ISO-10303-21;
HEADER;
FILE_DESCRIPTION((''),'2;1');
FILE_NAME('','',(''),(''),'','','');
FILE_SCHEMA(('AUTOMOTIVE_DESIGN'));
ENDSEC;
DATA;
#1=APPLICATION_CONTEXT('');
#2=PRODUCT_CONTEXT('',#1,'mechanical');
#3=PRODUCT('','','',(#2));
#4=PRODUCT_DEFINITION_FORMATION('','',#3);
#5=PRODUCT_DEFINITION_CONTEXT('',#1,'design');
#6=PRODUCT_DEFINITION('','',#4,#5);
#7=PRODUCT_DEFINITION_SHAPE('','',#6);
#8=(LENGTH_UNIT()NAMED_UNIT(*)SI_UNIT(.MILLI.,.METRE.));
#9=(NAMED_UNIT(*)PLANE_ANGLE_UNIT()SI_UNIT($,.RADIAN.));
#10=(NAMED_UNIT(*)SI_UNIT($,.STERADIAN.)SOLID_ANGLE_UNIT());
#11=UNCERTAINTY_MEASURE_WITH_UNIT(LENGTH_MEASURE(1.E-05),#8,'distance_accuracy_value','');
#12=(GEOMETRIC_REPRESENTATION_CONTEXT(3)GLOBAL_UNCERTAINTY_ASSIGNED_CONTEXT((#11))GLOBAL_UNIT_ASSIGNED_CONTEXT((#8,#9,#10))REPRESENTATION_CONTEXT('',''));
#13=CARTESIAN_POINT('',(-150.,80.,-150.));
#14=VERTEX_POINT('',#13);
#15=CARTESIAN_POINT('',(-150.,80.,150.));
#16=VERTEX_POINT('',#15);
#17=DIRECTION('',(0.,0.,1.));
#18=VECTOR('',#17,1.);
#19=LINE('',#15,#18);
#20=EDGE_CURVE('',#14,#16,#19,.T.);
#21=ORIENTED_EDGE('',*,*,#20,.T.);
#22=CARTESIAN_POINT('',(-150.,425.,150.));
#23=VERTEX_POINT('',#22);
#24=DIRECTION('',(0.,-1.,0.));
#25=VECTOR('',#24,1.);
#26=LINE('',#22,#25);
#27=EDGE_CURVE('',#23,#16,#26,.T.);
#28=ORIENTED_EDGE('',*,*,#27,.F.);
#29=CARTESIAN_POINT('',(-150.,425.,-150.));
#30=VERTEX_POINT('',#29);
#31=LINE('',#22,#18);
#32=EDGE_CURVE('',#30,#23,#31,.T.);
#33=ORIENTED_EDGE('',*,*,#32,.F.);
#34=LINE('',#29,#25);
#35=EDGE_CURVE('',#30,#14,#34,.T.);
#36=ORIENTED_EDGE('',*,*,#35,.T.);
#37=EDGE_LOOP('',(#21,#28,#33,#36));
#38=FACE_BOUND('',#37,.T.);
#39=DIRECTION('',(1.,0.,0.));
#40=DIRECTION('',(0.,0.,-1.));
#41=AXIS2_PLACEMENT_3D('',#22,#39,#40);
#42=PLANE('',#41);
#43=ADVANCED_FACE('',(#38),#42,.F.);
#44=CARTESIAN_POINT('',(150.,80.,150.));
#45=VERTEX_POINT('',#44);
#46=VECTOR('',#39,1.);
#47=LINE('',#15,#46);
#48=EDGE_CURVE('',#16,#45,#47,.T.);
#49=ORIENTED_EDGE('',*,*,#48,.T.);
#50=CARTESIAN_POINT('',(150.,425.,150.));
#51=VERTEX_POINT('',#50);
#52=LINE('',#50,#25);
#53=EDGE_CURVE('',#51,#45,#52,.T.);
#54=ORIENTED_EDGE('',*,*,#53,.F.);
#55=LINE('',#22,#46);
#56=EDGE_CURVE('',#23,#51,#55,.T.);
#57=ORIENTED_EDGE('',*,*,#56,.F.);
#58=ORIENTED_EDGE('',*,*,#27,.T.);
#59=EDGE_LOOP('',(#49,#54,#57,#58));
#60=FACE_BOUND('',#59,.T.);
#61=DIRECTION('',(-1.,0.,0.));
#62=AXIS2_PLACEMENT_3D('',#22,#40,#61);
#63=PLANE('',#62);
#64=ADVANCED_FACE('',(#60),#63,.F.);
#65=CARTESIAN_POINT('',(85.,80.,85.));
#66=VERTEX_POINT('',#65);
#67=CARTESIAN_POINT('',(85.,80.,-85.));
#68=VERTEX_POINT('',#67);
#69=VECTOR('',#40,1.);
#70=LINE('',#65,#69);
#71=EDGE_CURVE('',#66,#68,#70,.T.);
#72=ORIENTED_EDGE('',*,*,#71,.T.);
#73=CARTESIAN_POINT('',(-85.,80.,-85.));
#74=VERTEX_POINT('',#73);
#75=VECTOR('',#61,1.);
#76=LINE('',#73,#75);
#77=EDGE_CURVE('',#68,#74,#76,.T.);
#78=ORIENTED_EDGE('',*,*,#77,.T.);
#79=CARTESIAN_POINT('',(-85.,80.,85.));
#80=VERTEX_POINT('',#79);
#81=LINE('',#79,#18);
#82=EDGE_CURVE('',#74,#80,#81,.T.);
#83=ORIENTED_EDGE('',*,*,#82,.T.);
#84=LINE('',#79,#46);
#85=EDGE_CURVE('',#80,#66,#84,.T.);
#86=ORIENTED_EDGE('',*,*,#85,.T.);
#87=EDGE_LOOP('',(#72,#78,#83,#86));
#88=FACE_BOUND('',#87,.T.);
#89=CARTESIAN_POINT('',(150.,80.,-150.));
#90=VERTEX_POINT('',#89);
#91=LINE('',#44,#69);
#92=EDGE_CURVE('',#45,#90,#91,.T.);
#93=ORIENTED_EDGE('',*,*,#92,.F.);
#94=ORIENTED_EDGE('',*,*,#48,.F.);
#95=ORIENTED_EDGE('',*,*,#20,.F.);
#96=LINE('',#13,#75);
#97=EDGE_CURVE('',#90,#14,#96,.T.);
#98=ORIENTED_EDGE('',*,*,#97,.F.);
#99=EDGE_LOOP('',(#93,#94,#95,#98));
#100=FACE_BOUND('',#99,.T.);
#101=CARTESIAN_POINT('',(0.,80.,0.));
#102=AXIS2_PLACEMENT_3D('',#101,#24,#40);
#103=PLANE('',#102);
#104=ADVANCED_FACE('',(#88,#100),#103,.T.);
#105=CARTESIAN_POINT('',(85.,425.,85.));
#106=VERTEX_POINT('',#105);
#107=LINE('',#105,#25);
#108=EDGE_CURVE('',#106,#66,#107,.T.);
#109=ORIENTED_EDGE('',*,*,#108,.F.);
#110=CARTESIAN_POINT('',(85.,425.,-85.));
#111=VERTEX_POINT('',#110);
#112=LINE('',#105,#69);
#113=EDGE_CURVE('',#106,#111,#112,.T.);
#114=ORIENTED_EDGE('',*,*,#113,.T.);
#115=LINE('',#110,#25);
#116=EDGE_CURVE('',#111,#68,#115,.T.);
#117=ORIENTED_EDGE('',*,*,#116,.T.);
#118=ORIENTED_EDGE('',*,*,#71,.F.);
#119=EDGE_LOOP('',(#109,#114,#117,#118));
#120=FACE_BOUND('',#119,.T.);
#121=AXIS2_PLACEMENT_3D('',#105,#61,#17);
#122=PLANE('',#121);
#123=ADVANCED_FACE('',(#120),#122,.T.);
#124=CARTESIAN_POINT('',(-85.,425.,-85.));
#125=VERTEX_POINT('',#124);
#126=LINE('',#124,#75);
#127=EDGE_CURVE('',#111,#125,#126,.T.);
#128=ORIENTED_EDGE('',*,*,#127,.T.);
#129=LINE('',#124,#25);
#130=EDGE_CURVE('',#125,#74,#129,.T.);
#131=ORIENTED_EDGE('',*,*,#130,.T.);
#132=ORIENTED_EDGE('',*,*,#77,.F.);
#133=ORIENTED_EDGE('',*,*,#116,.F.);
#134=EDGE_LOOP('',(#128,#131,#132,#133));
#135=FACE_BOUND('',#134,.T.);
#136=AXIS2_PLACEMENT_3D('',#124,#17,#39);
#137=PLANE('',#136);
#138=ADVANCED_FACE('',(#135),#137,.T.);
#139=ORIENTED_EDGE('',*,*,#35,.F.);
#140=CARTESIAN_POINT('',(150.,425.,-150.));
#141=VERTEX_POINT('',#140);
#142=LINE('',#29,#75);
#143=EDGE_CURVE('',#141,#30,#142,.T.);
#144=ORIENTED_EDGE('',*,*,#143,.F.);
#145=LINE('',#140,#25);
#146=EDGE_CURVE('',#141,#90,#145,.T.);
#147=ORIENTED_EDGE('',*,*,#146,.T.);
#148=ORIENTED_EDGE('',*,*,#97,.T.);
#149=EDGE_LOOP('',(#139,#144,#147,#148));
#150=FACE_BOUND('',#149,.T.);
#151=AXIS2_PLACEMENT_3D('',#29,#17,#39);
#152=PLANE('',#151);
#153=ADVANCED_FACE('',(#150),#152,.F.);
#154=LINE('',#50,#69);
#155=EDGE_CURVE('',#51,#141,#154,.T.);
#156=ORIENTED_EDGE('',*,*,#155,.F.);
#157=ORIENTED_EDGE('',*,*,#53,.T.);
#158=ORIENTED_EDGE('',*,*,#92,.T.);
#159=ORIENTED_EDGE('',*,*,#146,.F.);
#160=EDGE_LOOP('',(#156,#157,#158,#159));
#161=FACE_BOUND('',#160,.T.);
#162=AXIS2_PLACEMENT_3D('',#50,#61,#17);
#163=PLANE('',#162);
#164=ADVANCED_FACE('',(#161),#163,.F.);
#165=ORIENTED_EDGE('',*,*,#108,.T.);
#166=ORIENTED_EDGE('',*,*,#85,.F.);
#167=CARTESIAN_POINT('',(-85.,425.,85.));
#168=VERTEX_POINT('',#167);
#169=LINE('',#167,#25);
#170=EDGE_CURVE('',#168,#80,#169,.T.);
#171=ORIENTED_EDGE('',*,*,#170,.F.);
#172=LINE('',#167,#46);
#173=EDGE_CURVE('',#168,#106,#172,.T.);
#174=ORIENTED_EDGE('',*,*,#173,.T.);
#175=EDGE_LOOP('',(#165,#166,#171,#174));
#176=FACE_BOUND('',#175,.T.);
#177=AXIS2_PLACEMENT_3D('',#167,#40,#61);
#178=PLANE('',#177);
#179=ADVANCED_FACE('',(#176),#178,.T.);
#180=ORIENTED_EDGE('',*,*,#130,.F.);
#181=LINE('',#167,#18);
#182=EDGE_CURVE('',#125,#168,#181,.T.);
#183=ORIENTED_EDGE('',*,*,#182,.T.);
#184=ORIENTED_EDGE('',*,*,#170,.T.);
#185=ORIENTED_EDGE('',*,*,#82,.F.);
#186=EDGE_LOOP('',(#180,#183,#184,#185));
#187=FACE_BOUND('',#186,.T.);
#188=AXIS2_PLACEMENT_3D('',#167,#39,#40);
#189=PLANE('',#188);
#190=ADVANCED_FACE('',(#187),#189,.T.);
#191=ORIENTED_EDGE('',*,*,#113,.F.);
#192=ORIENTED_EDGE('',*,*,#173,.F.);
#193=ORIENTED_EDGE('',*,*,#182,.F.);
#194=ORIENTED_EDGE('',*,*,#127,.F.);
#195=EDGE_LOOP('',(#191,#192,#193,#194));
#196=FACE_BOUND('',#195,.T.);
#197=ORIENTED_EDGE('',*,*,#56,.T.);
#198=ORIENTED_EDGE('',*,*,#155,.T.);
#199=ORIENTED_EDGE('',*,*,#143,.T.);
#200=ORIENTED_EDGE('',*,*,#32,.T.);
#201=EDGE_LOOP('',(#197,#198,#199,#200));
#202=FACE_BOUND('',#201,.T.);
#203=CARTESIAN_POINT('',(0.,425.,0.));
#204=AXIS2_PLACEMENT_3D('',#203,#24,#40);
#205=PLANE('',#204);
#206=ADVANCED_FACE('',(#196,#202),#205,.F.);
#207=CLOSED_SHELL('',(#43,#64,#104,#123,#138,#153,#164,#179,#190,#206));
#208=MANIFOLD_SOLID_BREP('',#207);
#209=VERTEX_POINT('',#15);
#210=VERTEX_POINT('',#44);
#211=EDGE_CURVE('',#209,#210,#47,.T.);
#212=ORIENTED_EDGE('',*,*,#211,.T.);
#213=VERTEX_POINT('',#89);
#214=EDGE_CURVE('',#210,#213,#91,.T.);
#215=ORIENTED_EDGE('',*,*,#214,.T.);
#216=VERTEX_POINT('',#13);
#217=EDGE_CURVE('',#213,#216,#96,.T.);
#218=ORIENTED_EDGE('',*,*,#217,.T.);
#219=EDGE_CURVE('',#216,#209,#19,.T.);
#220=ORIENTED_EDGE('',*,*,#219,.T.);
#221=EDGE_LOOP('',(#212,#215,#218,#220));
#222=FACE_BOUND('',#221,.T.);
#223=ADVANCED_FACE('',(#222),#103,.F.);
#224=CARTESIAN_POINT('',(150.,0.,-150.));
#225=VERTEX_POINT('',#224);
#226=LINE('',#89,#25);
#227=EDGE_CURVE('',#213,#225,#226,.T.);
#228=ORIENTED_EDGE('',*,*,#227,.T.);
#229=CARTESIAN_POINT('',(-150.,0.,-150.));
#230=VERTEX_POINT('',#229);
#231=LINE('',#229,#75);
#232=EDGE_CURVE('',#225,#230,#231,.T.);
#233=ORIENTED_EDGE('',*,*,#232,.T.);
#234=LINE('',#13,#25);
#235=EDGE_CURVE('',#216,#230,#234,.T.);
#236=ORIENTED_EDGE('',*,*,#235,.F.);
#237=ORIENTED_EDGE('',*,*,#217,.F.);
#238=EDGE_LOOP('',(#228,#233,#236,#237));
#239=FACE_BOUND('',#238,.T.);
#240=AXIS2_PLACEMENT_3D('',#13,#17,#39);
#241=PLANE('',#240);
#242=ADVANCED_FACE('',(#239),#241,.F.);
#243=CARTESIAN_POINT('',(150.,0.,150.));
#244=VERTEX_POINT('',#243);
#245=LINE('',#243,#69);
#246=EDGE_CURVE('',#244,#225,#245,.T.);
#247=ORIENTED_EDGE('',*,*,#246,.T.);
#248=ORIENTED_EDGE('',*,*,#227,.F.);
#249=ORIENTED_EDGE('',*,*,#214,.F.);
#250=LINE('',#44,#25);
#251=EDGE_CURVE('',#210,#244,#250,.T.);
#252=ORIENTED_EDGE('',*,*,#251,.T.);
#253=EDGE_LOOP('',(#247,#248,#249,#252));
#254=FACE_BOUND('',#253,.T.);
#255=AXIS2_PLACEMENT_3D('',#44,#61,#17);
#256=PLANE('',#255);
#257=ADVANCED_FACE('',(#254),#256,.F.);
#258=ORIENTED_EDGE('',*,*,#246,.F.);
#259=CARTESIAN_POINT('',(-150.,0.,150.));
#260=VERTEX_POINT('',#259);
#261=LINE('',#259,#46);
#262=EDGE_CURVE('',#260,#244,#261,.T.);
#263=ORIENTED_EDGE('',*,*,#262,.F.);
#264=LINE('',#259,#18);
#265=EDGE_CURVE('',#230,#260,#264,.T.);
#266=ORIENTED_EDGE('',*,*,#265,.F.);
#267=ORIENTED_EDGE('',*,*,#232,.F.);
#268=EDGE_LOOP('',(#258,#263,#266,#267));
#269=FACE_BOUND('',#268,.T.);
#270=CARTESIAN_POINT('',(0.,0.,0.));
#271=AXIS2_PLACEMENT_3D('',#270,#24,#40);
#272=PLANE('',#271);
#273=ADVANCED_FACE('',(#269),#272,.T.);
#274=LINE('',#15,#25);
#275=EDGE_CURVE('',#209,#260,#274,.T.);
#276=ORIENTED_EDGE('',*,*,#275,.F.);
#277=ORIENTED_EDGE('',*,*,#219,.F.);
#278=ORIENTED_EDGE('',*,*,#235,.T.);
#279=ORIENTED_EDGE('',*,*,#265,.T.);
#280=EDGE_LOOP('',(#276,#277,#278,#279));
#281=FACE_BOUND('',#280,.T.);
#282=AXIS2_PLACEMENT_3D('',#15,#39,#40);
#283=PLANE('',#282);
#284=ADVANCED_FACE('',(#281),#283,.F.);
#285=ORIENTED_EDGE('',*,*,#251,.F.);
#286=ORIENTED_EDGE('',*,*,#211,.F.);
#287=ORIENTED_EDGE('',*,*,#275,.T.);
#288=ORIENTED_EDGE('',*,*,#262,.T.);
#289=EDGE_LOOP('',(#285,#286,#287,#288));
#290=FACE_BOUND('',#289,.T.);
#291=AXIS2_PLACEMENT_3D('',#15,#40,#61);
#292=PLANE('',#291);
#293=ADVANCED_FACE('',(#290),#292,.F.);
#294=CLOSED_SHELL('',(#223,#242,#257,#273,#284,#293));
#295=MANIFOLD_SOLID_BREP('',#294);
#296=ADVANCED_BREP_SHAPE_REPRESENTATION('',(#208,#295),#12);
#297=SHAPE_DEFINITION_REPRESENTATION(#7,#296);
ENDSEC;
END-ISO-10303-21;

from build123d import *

# Parameters (mm, degrees)
SKETCH1_W           = 300
SKETCH1_H           = 300
BOSS_EXTRUDE1_DEPTH = 80
SKETCH2_W           = 300
SKETCH2_H           = 300
SKETCH2_W_2         = 170
SKETCH2_H_2         = 170
BOSS_EXTRUDE2_DEPTH = 345


with BuildPart() as part:
    # Sketch1 → Boss-Extrude1 (new body)
    with BuildSketch(Plane(origin=(0, 0, 0), x_dir=(1, 0, 0), z_dir=(0, 1, 0))):
        Rectangle(SKETCH1_W, SKETCH1_H)
    extrude(amount=BOSS_EXTRUDE1_DEPTH)


with BuildPart() as body_2:
    # Sketch2 → Boss-Extrude2 (new body)
    with BuildSketch(Plane(origin=(0, 80, 0), x_dir=(1, 0, 0), z_dir=(0, 1, 0))):
        Rectangle(SKETCH2_W, SKETCH2_H)
        Rectangle(SKETCH2_W_2, SKETCH2_H_2, mode=Mode.SUBTRACT)
    extrude(amount=BOSS_EXTRUDE2_DEPTH)


solid = Compound([part.part, body_2.part])
